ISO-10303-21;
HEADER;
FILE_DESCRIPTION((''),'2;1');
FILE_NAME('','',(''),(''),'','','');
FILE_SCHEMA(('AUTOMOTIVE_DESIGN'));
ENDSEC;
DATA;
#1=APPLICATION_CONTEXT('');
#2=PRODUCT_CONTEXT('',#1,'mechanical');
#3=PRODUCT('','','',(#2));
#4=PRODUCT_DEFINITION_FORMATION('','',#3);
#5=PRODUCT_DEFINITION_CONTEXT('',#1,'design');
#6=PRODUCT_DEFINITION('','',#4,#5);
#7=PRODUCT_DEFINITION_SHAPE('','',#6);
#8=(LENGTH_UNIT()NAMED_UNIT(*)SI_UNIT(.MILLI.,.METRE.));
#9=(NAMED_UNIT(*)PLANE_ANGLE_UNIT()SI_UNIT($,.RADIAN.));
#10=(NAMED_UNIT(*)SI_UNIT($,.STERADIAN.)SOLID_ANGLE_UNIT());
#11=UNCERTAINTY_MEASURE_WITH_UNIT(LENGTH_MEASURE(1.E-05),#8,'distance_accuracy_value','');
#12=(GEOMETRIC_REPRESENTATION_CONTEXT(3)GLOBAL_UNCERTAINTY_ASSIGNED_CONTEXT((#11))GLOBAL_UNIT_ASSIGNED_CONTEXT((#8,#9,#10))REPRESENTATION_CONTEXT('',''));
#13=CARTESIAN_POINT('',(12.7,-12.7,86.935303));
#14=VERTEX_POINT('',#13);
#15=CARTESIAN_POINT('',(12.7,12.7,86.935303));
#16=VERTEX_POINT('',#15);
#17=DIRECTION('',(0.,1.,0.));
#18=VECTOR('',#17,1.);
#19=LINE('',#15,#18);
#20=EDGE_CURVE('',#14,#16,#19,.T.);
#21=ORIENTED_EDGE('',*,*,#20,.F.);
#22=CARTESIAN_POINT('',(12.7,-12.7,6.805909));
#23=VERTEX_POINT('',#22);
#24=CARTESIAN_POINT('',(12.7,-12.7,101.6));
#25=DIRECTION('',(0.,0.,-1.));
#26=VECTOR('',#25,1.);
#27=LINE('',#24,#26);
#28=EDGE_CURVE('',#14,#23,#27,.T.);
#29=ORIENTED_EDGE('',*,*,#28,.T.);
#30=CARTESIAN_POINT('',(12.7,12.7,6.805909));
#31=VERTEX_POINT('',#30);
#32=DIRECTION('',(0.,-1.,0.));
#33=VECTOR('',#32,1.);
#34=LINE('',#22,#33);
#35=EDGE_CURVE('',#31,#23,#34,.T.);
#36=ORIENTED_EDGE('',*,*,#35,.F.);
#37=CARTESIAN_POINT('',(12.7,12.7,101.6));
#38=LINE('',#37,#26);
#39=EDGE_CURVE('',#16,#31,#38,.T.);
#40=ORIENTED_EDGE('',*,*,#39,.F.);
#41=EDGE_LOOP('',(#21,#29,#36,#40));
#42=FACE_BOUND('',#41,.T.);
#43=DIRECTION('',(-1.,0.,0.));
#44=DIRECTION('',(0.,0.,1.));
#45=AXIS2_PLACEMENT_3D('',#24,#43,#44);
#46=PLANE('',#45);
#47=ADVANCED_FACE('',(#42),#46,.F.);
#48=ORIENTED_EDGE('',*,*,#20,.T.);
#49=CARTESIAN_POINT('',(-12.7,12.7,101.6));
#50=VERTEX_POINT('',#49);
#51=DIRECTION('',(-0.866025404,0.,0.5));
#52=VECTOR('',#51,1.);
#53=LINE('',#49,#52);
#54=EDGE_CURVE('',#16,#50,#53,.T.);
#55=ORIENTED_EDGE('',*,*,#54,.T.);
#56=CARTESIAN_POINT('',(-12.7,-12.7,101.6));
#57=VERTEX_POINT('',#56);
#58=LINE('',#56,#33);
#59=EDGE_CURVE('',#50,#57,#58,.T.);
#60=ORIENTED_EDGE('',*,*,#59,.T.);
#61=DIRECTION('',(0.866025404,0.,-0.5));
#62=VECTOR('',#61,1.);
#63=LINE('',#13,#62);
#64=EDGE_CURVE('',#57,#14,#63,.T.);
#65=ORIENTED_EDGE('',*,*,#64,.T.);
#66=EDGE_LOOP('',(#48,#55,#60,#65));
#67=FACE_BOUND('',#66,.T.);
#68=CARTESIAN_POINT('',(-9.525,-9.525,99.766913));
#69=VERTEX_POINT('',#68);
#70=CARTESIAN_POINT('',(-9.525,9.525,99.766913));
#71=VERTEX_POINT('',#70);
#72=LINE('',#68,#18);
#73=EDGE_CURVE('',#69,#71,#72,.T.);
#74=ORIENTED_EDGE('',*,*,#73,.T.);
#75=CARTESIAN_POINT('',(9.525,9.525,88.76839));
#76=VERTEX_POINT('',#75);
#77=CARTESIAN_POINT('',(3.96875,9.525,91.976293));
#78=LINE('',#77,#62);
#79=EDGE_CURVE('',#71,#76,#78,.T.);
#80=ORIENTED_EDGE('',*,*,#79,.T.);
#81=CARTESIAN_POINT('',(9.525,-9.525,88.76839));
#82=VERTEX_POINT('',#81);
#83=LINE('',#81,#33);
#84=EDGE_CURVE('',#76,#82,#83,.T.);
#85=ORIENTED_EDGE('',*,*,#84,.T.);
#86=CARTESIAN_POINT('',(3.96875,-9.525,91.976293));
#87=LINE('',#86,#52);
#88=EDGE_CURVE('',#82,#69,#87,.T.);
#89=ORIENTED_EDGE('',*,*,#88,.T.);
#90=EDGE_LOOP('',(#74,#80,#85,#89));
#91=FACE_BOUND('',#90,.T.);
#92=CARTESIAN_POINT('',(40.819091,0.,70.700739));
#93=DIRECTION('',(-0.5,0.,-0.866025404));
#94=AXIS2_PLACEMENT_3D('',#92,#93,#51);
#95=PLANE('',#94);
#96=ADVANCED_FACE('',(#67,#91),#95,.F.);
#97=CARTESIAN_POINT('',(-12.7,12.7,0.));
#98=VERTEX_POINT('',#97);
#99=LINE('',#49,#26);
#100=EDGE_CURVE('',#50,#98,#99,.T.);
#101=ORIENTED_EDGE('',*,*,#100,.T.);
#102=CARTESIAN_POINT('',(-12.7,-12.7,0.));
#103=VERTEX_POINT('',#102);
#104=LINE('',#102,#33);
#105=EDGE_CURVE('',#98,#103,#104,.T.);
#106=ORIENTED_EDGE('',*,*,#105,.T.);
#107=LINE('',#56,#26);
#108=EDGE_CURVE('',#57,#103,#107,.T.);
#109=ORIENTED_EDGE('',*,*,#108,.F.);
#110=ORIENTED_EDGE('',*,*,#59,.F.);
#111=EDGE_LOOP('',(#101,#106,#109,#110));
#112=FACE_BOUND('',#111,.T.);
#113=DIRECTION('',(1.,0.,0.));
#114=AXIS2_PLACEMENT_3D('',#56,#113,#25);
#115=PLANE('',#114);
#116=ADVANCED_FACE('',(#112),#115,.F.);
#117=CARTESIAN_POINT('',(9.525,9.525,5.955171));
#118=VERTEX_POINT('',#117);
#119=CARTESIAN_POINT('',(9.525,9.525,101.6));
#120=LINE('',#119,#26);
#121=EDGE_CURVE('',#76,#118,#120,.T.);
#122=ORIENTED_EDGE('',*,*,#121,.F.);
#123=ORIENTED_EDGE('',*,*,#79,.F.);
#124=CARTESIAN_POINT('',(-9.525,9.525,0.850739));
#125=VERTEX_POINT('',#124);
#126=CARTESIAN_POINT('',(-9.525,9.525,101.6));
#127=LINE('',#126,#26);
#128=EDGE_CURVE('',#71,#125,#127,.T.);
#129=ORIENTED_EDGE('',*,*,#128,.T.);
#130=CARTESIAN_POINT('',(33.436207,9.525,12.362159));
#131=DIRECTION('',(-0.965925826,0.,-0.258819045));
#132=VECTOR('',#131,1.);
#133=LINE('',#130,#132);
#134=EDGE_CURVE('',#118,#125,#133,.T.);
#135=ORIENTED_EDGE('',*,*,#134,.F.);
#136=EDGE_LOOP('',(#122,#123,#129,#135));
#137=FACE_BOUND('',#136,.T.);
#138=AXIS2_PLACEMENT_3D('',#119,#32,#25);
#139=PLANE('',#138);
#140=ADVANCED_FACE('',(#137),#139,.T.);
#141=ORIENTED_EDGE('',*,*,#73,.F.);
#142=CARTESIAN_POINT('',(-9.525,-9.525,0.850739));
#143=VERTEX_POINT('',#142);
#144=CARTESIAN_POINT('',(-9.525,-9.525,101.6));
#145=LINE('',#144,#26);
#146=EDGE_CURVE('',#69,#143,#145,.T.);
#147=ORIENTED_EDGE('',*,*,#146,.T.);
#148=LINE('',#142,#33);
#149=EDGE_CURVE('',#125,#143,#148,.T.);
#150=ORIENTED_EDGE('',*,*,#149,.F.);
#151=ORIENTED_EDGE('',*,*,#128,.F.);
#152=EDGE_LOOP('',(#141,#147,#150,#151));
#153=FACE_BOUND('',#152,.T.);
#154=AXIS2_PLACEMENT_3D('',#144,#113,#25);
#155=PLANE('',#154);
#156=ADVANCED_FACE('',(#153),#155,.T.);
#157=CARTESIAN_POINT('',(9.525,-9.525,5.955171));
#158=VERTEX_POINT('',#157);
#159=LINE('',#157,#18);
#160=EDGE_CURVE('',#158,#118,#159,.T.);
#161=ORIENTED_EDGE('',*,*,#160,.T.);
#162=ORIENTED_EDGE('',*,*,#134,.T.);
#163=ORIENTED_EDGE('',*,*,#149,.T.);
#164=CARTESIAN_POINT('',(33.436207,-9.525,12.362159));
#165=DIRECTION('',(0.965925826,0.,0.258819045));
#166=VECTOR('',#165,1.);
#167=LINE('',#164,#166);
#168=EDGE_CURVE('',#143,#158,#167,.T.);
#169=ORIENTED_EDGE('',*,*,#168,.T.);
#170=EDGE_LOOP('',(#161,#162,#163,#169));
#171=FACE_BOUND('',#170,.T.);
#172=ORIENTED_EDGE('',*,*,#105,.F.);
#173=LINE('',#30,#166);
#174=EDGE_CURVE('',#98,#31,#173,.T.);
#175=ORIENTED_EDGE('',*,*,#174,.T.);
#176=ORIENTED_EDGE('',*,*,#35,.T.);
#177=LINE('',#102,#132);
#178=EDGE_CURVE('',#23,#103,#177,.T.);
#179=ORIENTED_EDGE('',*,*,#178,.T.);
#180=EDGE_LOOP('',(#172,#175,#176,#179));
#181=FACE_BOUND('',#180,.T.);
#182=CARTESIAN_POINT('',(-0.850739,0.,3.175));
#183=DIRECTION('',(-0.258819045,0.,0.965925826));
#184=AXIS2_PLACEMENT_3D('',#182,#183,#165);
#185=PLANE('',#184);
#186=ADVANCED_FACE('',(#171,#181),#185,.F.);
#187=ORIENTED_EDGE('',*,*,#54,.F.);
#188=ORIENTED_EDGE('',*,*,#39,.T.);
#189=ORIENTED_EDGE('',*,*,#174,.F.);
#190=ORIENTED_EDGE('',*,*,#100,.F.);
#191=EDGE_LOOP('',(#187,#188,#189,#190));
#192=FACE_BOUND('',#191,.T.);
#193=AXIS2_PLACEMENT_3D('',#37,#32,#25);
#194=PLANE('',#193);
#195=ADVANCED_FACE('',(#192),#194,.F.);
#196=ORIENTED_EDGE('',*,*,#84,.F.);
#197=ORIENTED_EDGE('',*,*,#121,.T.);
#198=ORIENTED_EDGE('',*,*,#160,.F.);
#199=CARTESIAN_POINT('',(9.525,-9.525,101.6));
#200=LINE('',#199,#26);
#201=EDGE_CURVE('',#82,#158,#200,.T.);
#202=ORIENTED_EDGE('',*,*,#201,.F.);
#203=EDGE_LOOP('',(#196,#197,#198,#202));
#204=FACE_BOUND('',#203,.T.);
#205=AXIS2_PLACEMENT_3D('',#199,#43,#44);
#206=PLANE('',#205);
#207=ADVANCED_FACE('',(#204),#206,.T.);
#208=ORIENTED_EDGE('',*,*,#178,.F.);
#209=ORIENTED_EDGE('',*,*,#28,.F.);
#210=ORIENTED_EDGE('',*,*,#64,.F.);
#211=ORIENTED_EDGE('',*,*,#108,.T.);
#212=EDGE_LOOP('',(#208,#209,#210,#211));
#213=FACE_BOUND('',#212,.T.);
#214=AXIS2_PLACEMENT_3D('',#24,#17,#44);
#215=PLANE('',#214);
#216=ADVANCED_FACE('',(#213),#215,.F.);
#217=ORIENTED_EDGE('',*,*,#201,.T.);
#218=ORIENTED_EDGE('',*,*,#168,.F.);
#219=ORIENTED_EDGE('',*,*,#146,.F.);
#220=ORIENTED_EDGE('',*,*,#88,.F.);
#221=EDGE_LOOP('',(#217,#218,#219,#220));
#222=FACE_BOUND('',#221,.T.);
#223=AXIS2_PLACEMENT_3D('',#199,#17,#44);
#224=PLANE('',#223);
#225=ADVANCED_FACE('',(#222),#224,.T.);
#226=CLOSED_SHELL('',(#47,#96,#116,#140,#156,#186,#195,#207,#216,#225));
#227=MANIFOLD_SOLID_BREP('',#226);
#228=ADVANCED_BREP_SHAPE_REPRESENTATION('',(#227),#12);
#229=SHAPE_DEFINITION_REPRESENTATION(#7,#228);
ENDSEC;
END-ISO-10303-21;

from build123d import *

# Parameters (mm, degrees)
SKETCH1_W           = 25.4
SKETCH1_H           = 25.4
SKETCH1_W_2         = 19.05
SKETCH1_H_2         = 19.05
BOSS_EXTRUDE1_DEPTH = 101.6
SKETCH2_W           = 25.4
SKETCH2_H           = 26.296014983
CUT_EXTRUDE1_DEPTH  = 101.161834767
SKETCH5_W           = 25.4
SKETCH5_H           = 29.329393675
CUT_EXTRUDE2_DEPTH  = 90.577773471


with BuildPart() as part:
    # Sketch1 → Boss-Extrude1 (new body)
    with BuildSketch(Plane.XY):
        Rectangle(SKETCH1_W, SKETCH1_H)
        Rectangle(SKETCH1_W_2, SKETCH1_H_2, mode=Mode.SUBTRACT)
    extrude(amount=BOSS_EXTRUDE1_DEPTH)

    # Sketch2 → Cut-Extrude1 (cut, through all)
    with BuildSketch(Plane(origin=(-0.850738686, 0, 3.175), x_dir=(0, -1, 0), z_dir=(0.25881904510252135, 0, -0.9659258262890681))):
        with Locations((0, -0.880749498)):
            Rectangle(SKETCH2_W, SKETCH2_H)
    extrude(amount=CUT_EXTRUDE1_DEPTH, mode=Mode.SUBTRACT)

    # Sketch5 → Cut-Extrude2 (cut, through all)
    with BuildSketch(Plane(origin=(40.819090512, 0, 70.700738686), x_dir=(0, -1, 0), z_dir=(0.4999999999999889, 0, 0.866025403784445))):
        with Locations((0, -47.13382579)):
            Rectangle(SKETCH5_W, SKETCH5_H)
    extrude(amount=CUT_EXTRUDE2_DEPTH, mode=Mode.SUBTRACT)


solid = part.part
